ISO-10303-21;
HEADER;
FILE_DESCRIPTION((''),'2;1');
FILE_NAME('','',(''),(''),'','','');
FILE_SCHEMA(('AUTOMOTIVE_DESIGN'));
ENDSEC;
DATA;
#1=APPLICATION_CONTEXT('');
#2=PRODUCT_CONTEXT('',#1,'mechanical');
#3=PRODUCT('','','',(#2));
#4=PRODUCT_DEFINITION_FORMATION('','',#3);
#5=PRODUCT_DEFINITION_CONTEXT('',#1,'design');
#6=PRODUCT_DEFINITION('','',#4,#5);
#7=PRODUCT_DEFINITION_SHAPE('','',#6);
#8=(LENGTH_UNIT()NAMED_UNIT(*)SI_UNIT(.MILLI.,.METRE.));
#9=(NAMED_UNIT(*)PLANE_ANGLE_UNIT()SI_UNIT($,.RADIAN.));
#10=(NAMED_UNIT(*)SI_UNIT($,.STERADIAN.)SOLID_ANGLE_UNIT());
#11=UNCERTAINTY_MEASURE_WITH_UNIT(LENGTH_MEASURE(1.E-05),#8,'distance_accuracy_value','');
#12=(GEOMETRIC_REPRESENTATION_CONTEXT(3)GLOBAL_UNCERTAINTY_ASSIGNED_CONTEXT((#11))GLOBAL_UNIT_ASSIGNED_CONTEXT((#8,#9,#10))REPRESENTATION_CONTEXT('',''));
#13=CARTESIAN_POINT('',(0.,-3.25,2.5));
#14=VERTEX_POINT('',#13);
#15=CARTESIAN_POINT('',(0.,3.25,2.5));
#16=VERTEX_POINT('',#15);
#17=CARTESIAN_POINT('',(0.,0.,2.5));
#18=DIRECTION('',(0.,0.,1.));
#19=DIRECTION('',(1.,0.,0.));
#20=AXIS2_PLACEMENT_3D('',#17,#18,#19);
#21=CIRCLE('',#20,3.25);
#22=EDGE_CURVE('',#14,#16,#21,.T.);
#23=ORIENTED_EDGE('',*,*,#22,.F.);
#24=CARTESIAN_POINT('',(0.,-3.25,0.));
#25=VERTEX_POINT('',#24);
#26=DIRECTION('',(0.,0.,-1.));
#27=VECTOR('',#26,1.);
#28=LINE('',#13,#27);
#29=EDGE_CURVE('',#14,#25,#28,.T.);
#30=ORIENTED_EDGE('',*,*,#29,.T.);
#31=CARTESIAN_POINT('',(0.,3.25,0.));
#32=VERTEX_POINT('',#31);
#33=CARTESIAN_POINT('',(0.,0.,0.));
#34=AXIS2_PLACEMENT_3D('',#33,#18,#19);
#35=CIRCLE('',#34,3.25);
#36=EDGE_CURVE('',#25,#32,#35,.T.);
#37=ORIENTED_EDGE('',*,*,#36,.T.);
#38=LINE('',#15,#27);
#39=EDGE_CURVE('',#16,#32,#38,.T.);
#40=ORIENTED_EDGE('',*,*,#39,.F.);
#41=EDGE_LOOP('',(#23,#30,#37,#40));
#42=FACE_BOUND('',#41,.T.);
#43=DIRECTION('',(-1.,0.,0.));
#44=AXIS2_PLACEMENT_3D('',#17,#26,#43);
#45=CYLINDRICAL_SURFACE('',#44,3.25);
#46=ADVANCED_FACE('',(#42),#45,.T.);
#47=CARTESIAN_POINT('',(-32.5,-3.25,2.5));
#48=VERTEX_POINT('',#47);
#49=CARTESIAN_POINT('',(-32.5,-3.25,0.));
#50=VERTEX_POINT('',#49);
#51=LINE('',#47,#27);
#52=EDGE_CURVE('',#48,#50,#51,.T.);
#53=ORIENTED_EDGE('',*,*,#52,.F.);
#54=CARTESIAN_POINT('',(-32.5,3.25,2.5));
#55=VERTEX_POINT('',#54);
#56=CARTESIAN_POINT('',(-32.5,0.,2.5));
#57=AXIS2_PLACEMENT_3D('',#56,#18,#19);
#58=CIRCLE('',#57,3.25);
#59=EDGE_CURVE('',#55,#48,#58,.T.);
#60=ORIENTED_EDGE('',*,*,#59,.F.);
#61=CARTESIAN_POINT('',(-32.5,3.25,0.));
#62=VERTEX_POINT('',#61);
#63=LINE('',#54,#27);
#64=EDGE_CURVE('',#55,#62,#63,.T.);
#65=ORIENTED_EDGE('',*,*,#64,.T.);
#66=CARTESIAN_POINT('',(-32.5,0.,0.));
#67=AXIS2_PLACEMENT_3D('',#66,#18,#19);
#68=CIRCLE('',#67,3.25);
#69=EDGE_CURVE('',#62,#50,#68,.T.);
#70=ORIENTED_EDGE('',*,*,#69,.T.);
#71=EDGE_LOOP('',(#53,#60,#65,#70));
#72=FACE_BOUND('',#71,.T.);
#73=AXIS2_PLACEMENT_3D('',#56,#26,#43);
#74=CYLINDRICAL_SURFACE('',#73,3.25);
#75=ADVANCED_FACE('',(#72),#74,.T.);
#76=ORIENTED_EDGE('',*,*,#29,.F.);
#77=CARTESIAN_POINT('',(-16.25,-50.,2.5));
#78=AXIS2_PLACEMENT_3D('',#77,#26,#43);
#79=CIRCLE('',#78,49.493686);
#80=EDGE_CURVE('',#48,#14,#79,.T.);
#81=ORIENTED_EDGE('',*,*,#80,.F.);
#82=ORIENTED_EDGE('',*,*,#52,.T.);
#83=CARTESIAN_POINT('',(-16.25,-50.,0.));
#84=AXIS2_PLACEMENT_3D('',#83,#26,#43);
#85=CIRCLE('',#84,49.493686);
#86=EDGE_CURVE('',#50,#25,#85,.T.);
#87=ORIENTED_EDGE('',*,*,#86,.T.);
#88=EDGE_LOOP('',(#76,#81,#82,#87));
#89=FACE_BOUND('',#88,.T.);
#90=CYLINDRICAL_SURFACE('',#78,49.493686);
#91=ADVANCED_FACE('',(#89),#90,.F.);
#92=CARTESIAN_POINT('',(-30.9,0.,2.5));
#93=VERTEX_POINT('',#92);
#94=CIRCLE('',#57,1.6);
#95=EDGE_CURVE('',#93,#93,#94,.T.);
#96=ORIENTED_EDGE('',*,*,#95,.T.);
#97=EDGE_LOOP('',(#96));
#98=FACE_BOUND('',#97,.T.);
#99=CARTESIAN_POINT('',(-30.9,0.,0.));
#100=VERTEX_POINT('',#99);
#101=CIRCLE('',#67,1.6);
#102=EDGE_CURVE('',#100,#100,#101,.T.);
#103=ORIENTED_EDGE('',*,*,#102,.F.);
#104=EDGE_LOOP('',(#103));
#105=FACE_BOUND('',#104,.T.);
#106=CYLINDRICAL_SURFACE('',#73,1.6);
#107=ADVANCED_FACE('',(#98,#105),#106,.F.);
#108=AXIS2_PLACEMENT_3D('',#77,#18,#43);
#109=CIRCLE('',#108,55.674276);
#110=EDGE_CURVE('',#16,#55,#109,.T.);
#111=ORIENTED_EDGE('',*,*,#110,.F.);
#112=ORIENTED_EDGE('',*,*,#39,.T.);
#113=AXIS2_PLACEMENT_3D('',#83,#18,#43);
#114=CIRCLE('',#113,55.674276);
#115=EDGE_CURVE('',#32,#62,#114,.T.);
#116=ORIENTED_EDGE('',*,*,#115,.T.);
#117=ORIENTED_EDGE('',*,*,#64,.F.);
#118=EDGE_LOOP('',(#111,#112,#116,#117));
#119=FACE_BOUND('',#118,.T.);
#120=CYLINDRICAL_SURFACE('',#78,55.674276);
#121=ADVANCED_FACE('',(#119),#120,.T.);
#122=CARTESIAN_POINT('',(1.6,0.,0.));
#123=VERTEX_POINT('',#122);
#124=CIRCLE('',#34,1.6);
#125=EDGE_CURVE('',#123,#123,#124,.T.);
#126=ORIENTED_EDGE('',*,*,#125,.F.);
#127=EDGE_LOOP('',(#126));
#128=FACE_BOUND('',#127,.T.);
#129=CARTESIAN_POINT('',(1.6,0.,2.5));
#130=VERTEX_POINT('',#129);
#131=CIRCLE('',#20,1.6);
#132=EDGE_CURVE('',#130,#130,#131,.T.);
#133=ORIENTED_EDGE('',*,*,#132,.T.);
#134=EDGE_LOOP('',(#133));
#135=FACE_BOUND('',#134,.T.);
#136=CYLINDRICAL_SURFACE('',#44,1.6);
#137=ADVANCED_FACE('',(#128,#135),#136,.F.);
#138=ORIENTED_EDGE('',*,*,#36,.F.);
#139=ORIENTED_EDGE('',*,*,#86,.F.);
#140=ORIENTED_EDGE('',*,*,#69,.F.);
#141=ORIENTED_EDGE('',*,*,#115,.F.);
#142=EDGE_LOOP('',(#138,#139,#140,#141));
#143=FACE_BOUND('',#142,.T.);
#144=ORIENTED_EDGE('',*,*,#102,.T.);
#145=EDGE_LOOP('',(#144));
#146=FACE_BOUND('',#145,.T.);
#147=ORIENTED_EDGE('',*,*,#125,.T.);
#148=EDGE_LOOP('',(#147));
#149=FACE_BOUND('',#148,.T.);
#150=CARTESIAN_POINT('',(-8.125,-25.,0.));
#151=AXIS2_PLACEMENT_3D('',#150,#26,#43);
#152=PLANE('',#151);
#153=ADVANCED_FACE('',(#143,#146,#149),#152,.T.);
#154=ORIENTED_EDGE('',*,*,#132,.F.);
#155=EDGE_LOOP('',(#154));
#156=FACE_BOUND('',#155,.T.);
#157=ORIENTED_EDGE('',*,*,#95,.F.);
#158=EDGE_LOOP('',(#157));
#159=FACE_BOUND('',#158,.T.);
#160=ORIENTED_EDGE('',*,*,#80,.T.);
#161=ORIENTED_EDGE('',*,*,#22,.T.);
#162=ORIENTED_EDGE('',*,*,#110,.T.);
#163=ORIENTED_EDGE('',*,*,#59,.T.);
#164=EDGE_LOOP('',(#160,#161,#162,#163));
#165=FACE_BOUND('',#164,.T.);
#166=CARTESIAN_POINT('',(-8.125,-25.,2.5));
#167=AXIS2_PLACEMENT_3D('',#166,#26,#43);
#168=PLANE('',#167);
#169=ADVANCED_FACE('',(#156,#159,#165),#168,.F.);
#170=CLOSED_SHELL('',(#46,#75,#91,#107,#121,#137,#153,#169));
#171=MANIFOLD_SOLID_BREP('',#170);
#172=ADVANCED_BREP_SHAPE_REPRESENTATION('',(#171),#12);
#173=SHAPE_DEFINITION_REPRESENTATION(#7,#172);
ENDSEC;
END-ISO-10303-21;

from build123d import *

# Parameters (mm, degrees)
SKETCH1_R           = 1.6
BOSS_EXTRUDE1_DEPTH = 2.5


with BuildPart() as part:
    # Sketch1 → Boss-Extrude1 (new body)
    with BuildSketch(Plane.XY):
        with BuildLine():
            ThreePointArc((-32.5, 3.25), (-35.75, 0), (-32.5, -3.25))
            ThreePointArc((-32.5, -3.25), (-16.25, -0.506313534), (0, -3.25))
            ThreePointArc((0, -3.25), (3.25, 0), (0, 3.25))
            ThreePointArc((0, 3.25), (-16.25, 5.674275927), (-32.5, 3.25))
        make_face()
        with Locations((-32.5, 0)):
            Circle(SKETCH1_R, mode=Mode.SUBTRACT)
        Circle(SKETCH1_R, mode=Mode.SUBTRACT)
    extrude(amount=BOSS_EXTRUDE1_DEPTH)


solid = part.part
